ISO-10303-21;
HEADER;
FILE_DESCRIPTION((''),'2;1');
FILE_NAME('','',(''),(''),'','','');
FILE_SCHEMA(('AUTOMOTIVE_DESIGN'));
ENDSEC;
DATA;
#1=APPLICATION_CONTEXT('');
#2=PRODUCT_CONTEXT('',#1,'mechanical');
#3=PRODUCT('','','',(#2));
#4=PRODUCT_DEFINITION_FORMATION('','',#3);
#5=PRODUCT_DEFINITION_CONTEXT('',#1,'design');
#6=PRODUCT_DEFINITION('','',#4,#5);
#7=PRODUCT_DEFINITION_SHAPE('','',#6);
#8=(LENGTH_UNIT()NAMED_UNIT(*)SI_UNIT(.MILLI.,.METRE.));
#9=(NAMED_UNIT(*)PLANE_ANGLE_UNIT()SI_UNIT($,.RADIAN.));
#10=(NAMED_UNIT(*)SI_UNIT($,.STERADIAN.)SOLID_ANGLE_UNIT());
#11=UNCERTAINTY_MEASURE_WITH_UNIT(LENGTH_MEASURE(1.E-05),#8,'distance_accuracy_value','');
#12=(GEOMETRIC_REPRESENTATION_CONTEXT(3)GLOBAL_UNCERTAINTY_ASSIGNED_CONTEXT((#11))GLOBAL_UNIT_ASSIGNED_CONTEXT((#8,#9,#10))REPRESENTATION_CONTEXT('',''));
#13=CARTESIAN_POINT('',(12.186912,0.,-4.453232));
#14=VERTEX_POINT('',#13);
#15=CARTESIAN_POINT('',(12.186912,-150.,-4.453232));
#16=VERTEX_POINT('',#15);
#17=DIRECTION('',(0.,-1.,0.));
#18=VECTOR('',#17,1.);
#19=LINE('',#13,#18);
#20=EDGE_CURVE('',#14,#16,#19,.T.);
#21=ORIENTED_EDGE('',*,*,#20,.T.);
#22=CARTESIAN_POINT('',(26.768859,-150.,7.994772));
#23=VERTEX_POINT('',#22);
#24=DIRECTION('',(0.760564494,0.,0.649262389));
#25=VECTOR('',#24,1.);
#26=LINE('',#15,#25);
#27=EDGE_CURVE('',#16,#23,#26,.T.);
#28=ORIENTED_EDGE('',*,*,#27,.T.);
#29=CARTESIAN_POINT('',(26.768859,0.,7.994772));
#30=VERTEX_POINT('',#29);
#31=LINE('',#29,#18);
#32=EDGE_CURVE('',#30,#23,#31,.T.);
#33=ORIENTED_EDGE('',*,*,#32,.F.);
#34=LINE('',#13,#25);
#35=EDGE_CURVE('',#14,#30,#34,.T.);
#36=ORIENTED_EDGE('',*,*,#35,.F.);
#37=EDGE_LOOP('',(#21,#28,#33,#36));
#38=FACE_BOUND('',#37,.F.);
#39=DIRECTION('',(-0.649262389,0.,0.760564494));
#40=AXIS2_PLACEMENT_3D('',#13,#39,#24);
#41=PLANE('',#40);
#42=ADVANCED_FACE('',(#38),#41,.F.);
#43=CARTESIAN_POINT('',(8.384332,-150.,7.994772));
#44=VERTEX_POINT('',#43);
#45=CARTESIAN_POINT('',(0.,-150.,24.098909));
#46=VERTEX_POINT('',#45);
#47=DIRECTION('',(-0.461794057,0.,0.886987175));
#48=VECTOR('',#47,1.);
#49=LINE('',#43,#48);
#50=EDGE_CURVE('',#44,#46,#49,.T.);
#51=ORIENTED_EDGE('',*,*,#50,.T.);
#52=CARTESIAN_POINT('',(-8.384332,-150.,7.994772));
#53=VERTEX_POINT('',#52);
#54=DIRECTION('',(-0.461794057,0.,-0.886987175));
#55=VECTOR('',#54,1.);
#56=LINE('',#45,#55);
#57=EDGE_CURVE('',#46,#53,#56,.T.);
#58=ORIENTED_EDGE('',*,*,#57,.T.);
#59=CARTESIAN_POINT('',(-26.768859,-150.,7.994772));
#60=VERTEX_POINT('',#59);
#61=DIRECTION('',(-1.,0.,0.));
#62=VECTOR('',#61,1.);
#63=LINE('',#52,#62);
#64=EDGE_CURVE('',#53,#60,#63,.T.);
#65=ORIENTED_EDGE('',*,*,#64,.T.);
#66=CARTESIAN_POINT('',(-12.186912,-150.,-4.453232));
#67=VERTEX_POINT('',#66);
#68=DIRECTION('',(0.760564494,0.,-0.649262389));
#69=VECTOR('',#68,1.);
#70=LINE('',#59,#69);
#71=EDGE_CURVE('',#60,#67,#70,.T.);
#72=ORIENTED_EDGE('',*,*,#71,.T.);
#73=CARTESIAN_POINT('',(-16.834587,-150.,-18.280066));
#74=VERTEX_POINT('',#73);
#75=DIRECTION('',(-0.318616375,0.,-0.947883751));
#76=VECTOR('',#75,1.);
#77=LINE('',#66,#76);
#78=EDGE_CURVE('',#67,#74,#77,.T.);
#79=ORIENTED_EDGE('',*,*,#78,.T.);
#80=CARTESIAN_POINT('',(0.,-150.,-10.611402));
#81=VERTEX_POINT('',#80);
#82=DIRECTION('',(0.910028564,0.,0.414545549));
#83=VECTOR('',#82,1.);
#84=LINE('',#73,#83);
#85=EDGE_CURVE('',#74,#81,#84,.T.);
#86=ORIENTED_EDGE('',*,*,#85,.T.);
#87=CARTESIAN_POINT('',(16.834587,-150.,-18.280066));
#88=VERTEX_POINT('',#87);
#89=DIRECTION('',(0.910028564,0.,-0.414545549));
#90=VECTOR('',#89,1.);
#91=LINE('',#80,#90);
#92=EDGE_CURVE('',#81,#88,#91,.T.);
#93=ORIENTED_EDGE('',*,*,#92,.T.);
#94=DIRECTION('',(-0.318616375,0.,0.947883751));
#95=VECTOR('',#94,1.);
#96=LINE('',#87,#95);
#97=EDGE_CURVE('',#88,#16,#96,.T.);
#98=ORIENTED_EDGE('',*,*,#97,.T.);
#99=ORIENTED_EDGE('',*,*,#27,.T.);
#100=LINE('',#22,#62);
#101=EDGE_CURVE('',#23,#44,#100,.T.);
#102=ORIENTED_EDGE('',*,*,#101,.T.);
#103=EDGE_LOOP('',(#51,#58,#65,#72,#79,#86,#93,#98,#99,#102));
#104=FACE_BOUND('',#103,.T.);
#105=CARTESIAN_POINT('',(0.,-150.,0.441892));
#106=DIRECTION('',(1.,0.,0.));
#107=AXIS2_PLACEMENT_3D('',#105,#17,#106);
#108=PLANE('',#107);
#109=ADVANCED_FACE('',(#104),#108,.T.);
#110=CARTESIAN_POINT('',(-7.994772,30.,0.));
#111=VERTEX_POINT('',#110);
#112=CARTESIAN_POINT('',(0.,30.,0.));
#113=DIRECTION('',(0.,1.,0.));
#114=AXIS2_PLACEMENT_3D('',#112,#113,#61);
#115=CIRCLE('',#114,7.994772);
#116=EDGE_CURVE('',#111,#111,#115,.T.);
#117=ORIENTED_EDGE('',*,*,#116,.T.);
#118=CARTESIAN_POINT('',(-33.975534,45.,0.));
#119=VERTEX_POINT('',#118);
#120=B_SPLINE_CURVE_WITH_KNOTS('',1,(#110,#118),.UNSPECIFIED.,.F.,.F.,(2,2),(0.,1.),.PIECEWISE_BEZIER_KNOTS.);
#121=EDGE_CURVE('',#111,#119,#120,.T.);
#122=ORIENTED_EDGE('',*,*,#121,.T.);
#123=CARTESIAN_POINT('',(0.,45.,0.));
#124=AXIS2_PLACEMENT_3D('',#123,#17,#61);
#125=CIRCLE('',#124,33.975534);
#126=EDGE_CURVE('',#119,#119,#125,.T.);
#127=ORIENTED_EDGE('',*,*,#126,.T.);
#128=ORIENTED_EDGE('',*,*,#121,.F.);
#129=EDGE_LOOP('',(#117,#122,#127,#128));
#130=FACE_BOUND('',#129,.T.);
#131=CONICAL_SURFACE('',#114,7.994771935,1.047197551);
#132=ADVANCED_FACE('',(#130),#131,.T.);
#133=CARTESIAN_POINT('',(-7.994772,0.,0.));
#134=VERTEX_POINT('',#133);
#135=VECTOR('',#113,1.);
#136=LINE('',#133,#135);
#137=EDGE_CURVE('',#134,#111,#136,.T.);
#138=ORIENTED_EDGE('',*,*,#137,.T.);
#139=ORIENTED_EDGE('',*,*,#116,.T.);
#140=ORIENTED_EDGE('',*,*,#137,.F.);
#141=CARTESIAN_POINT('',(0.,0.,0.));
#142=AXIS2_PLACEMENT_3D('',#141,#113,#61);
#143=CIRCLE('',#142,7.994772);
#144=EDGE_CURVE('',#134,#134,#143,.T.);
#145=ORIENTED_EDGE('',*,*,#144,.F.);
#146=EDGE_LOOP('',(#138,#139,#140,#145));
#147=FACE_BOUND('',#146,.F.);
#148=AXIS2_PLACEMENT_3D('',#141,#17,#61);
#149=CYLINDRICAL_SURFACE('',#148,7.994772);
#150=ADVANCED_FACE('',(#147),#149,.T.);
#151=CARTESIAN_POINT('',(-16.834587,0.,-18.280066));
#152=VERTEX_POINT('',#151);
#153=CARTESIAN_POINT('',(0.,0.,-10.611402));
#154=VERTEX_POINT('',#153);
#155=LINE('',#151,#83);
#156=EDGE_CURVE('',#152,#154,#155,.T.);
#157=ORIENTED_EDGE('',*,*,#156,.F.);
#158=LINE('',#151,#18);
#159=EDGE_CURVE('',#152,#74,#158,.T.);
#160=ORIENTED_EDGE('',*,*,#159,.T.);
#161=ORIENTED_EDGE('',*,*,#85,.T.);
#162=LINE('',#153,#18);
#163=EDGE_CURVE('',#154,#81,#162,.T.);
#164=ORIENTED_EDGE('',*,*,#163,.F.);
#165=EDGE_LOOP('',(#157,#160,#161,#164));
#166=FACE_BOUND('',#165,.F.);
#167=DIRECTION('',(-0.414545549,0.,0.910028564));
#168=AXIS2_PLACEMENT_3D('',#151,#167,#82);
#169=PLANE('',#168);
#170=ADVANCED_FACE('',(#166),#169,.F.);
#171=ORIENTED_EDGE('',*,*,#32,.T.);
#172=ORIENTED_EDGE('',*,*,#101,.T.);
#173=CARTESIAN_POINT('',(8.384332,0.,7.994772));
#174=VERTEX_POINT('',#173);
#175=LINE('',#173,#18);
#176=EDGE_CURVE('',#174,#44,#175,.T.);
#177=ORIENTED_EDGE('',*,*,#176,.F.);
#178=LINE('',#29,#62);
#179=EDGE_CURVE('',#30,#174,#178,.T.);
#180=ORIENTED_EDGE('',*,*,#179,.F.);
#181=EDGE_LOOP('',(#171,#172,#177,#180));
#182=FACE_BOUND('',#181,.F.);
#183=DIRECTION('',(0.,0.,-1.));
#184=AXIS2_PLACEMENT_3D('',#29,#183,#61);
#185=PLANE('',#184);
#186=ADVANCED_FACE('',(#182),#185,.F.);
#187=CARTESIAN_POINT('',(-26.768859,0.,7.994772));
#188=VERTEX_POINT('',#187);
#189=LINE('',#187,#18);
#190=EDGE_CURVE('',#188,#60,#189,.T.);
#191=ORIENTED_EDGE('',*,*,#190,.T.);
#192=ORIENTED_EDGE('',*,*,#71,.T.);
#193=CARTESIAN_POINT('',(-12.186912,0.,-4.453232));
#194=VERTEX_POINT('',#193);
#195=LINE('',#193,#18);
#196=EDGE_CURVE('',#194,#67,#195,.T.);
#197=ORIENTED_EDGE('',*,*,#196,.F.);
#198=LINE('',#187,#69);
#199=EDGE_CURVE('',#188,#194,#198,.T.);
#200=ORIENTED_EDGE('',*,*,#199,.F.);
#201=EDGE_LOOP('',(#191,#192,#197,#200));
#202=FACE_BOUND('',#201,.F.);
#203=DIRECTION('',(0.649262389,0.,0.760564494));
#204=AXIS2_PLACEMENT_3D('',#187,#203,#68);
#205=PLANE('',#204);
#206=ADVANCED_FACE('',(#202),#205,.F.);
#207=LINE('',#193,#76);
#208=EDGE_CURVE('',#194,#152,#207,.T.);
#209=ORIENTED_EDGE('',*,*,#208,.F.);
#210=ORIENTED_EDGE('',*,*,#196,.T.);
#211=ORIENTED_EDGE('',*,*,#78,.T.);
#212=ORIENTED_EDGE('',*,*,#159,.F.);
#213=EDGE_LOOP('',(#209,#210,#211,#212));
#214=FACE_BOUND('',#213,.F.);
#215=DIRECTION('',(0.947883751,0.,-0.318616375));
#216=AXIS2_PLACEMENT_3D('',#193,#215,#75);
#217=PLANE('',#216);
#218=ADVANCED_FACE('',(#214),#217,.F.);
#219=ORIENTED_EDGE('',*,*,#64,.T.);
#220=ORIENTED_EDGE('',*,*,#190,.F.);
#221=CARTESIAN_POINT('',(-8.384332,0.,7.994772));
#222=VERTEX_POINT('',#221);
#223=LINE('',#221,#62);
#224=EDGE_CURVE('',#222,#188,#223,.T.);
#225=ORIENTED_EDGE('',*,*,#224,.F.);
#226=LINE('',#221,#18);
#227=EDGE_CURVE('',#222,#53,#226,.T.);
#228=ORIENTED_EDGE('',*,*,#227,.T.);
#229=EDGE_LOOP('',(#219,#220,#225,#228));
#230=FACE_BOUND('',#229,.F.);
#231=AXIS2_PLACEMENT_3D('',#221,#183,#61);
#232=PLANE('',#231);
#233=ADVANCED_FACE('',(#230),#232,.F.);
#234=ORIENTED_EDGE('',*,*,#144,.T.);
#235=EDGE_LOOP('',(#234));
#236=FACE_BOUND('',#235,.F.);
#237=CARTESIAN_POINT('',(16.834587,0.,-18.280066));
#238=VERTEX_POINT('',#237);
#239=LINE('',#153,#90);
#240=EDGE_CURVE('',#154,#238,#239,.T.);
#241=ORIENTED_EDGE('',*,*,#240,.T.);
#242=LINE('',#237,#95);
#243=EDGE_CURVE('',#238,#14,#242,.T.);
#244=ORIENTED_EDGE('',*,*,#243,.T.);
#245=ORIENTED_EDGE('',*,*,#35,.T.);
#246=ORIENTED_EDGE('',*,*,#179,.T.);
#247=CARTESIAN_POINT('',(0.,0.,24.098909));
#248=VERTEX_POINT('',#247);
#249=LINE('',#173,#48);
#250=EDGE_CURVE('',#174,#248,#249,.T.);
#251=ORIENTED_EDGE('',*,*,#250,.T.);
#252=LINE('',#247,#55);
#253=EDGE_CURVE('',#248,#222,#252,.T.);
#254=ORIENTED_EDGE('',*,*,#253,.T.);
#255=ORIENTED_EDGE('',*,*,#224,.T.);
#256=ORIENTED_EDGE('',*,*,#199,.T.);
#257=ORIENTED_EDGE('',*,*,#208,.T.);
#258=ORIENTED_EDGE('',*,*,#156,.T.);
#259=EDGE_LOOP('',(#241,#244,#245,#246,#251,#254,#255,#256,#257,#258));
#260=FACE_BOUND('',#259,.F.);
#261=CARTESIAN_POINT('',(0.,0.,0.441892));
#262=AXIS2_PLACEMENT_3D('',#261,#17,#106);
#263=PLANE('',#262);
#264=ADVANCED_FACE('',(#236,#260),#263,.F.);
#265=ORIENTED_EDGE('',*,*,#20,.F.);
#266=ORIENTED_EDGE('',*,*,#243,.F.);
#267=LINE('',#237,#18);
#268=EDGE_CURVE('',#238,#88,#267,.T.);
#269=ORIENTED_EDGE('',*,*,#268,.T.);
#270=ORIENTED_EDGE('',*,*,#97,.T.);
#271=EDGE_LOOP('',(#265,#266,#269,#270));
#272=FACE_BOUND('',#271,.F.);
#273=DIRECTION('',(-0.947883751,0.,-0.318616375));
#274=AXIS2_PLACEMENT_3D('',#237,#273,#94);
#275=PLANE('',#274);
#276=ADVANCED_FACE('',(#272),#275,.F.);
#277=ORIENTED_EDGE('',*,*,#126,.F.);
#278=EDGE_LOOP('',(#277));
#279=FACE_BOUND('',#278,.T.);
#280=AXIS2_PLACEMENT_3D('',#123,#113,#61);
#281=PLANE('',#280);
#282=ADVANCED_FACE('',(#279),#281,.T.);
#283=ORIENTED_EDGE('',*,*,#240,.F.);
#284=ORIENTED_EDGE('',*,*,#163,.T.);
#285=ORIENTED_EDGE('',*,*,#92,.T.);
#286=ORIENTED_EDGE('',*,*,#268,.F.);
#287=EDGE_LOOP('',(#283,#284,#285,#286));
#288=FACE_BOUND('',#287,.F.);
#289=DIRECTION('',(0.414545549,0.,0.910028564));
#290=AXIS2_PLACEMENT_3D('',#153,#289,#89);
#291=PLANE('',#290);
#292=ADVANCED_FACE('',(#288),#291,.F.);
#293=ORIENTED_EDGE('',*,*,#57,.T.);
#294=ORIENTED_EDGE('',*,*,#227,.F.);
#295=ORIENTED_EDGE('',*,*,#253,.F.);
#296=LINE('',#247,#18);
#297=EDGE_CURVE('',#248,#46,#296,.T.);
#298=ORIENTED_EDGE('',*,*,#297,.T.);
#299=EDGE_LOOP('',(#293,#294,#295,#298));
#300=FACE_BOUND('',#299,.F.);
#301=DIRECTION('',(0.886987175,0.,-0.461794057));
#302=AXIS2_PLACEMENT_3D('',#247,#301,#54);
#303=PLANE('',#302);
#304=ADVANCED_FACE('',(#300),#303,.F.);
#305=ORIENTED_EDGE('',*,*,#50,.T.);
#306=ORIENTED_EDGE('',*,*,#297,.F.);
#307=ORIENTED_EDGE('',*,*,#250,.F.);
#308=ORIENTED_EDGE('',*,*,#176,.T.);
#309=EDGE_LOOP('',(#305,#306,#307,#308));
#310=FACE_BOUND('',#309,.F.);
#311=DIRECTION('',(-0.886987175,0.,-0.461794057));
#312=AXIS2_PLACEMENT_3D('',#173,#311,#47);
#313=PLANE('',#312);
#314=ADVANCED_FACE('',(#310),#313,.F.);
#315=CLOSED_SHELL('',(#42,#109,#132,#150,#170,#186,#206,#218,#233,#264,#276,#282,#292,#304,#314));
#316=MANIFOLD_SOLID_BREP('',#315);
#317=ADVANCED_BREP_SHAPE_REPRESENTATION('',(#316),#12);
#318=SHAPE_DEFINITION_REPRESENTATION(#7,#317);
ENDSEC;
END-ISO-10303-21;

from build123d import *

# Parameters (mm, degrees)
F1_DEPTH  = 150
F2_R      = 7.994771935
F3_DEPTH  = 30
F3_FACE_R = 7.994771935
F4_DEPTH  = 15
F4_TAPER  = -60


with BuildPart() as f1:
    # F0 (on Front) → F1 (new body)
    with BuildSketch(Plane.XZ):
        Polygon((8.3843320608, 7.994771935), (0, 24.09890946), (-8.3843320608, 7.994771935), (-26.7688590564, 7.994771935), (-12.1869118884, -4.4532320462), (-16.8345868587, -18.2800656185), (0, -10.6114018708), (16.8345868587, -18.2800656185), (12.1869118884, -4.4532320462), (26.7688590564, 7.994771935), align=None)
    extrude(amount=F1_DEPTH)

    # F2 (on face) → F3 (join)
    with BuildSketch(Plane(origin=(0, 0, 0), x_dir=(-1, 0, 0), z_dir=(0, 1, 0))):
        Circle(F2_R)
    extrude(amount=F3_DEPTH)

    # F3_face (on face) → F4 (join)
    with BuildSketch(Plane(origin=(0, 30, 0), x_dir=(-1, 0, 0), z_dir=(0, 1, 0))):
        Circle(F3_FACE_R)
    extrude(amount=F4_DEPTH, taper=F4_TAPER)


solid = f1.part
